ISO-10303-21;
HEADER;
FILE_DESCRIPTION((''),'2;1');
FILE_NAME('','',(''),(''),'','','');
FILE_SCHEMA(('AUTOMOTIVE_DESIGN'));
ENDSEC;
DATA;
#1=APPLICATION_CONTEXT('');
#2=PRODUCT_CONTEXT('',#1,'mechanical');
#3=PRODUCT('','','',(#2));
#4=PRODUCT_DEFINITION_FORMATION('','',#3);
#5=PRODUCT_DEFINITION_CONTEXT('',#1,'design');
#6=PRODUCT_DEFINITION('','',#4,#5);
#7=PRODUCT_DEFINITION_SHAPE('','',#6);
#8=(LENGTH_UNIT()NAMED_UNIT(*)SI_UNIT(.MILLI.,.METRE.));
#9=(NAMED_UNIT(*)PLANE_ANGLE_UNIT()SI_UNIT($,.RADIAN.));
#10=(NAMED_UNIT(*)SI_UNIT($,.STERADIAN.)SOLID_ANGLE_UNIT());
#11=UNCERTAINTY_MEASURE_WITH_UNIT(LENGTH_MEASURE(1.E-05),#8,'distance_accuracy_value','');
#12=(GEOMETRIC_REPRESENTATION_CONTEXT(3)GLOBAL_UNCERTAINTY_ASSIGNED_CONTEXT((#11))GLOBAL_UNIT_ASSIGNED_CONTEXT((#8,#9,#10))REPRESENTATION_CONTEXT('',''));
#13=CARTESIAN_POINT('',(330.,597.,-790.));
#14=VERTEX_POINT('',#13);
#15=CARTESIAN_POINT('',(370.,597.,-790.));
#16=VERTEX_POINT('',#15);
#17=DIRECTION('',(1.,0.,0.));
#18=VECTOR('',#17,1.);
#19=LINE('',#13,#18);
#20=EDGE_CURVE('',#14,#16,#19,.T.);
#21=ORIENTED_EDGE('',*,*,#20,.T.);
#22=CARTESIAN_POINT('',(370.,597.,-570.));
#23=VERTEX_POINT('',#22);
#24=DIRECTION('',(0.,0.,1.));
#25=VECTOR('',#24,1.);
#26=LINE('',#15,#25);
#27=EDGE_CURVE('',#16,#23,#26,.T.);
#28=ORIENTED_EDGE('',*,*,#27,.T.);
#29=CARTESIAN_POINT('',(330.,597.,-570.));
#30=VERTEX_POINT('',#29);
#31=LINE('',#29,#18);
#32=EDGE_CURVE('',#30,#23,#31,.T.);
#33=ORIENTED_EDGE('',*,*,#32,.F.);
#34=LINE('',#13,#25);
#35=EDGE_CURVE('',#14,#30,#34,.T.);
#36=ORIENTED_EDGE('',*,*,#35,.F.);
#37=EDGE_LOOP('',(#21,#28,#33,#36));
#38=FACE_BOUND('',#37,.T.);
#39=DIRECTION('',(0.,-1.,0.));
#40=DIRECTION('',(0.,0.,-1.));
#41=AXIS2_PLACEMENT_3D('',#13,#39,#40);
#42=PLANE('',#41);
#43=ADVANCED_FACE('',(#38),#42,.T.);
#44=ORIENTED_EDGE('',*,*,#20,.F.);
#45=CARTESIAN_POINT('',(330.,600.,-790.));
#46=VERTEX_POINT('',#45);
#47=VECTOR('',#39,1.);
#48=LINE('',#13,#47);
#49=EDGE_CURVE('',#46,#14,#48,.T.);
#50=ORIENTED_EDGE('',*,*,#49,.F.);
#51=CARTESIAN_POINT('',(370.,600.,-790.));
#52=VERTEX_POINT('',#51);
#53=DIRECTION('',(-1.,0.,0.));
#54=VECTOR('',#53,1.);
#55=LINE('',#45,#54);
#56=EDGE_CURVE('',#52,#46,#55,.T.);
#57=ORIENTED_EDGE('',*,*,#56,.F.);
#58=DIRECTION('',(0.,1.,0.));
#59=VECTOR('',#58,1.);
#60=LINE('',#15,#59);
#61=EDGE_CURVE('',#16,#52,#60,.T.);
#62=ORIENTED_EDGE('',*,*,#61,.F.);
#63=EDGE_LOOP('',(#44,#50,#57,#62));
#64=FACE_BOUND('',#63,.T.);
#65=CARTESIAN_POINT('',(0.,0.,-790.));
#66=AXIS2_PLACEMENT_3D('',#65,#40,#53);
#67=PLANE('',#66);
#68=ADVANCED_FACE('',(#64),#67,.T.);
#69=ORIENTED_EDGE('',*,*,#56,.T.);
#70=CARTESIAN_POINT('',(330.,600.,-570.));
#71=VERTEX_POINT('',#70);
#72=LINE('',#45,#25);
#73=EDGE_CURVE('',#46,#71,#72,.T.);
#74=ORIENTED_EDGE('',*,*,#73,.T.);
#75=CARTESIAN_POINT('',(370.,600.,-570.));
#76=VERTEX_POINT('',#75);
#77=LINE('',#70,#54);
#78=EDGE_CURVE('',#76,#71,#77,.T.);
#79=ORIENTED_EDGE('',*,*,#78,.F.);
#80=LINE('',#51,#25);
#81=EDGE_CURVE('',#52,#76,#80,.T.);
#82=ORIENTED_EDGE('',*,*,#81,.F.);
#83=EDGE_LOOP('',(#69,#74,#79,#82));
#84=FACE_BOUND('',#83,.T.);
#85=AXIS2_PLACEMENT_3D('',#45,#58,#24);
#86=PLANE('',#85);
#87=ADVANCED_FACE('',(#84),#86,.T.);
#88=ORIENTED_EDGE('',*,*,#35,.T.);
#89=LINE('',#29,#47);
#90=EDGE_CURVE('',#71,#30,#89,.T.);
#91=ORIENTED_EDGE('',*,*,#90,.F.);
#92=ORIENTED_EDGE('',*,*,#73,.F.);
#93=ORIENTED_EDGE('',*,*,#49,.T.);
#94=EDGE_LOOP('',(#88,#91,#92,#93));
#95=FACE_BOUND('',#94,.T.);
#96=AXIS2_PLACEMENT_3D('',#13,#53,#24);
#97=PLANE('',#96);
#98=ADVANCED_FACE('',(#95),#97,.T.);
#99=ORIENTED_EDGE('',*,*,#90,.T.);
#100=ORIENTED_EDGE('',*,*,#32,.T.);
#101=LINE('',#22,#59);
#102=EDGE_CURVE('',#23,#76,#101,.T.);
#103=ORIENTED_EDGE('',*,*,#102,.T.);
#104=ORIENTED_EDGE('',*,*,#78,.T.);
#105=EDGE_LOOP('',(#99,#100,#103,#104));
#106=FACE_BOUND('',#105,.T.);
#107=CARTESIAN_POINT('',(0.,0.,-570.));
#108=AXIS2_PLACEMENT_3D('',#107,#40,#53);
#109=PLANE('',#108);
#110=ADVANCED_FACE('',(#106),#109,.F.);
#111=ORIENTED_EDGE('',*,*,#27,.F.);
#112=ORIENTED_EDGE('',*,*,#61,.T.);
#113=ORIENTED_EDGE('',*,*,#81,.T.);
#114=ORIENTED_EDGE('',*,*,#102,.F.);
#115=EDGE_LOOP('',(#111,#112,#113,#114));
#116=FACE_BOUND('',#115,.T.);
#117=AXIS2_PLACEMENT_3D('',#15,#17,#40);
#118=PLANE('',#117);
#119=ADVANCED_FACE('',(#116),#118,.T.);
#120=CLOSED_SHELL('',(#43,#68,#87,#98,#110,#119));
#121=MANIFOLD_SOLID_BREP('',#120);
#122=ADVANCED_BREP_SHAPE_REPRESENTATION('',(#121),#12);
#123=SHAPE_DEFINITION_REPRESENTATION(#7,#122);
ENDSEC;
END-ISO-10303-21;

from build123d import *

# Parameters (mm, degrees)
PACK_ORTA_RAY_YARIKLI_1_START = -570
SKETCH1_W                     = 40
SKETCH1_H                     = 3
PACK_ORTA_RAY_YARIKLI_1_DEPTH = 220


with BuildPart() as part:
    # Sketch1 → PACK_orta_ray_yarikli_1 (new body)
    with BuildSketch(Plane.XY.offset(PACK_ORTA_RAY_YARIKLI_1_START)):
        with Locations((350, 598.5)):
            Rectangle(SKETCH1_W, SKETCH1_H)
    extrude(amount=-PACK_ORTA_RAY_YARIKLI_1_DEPTH)


solid = part.part
